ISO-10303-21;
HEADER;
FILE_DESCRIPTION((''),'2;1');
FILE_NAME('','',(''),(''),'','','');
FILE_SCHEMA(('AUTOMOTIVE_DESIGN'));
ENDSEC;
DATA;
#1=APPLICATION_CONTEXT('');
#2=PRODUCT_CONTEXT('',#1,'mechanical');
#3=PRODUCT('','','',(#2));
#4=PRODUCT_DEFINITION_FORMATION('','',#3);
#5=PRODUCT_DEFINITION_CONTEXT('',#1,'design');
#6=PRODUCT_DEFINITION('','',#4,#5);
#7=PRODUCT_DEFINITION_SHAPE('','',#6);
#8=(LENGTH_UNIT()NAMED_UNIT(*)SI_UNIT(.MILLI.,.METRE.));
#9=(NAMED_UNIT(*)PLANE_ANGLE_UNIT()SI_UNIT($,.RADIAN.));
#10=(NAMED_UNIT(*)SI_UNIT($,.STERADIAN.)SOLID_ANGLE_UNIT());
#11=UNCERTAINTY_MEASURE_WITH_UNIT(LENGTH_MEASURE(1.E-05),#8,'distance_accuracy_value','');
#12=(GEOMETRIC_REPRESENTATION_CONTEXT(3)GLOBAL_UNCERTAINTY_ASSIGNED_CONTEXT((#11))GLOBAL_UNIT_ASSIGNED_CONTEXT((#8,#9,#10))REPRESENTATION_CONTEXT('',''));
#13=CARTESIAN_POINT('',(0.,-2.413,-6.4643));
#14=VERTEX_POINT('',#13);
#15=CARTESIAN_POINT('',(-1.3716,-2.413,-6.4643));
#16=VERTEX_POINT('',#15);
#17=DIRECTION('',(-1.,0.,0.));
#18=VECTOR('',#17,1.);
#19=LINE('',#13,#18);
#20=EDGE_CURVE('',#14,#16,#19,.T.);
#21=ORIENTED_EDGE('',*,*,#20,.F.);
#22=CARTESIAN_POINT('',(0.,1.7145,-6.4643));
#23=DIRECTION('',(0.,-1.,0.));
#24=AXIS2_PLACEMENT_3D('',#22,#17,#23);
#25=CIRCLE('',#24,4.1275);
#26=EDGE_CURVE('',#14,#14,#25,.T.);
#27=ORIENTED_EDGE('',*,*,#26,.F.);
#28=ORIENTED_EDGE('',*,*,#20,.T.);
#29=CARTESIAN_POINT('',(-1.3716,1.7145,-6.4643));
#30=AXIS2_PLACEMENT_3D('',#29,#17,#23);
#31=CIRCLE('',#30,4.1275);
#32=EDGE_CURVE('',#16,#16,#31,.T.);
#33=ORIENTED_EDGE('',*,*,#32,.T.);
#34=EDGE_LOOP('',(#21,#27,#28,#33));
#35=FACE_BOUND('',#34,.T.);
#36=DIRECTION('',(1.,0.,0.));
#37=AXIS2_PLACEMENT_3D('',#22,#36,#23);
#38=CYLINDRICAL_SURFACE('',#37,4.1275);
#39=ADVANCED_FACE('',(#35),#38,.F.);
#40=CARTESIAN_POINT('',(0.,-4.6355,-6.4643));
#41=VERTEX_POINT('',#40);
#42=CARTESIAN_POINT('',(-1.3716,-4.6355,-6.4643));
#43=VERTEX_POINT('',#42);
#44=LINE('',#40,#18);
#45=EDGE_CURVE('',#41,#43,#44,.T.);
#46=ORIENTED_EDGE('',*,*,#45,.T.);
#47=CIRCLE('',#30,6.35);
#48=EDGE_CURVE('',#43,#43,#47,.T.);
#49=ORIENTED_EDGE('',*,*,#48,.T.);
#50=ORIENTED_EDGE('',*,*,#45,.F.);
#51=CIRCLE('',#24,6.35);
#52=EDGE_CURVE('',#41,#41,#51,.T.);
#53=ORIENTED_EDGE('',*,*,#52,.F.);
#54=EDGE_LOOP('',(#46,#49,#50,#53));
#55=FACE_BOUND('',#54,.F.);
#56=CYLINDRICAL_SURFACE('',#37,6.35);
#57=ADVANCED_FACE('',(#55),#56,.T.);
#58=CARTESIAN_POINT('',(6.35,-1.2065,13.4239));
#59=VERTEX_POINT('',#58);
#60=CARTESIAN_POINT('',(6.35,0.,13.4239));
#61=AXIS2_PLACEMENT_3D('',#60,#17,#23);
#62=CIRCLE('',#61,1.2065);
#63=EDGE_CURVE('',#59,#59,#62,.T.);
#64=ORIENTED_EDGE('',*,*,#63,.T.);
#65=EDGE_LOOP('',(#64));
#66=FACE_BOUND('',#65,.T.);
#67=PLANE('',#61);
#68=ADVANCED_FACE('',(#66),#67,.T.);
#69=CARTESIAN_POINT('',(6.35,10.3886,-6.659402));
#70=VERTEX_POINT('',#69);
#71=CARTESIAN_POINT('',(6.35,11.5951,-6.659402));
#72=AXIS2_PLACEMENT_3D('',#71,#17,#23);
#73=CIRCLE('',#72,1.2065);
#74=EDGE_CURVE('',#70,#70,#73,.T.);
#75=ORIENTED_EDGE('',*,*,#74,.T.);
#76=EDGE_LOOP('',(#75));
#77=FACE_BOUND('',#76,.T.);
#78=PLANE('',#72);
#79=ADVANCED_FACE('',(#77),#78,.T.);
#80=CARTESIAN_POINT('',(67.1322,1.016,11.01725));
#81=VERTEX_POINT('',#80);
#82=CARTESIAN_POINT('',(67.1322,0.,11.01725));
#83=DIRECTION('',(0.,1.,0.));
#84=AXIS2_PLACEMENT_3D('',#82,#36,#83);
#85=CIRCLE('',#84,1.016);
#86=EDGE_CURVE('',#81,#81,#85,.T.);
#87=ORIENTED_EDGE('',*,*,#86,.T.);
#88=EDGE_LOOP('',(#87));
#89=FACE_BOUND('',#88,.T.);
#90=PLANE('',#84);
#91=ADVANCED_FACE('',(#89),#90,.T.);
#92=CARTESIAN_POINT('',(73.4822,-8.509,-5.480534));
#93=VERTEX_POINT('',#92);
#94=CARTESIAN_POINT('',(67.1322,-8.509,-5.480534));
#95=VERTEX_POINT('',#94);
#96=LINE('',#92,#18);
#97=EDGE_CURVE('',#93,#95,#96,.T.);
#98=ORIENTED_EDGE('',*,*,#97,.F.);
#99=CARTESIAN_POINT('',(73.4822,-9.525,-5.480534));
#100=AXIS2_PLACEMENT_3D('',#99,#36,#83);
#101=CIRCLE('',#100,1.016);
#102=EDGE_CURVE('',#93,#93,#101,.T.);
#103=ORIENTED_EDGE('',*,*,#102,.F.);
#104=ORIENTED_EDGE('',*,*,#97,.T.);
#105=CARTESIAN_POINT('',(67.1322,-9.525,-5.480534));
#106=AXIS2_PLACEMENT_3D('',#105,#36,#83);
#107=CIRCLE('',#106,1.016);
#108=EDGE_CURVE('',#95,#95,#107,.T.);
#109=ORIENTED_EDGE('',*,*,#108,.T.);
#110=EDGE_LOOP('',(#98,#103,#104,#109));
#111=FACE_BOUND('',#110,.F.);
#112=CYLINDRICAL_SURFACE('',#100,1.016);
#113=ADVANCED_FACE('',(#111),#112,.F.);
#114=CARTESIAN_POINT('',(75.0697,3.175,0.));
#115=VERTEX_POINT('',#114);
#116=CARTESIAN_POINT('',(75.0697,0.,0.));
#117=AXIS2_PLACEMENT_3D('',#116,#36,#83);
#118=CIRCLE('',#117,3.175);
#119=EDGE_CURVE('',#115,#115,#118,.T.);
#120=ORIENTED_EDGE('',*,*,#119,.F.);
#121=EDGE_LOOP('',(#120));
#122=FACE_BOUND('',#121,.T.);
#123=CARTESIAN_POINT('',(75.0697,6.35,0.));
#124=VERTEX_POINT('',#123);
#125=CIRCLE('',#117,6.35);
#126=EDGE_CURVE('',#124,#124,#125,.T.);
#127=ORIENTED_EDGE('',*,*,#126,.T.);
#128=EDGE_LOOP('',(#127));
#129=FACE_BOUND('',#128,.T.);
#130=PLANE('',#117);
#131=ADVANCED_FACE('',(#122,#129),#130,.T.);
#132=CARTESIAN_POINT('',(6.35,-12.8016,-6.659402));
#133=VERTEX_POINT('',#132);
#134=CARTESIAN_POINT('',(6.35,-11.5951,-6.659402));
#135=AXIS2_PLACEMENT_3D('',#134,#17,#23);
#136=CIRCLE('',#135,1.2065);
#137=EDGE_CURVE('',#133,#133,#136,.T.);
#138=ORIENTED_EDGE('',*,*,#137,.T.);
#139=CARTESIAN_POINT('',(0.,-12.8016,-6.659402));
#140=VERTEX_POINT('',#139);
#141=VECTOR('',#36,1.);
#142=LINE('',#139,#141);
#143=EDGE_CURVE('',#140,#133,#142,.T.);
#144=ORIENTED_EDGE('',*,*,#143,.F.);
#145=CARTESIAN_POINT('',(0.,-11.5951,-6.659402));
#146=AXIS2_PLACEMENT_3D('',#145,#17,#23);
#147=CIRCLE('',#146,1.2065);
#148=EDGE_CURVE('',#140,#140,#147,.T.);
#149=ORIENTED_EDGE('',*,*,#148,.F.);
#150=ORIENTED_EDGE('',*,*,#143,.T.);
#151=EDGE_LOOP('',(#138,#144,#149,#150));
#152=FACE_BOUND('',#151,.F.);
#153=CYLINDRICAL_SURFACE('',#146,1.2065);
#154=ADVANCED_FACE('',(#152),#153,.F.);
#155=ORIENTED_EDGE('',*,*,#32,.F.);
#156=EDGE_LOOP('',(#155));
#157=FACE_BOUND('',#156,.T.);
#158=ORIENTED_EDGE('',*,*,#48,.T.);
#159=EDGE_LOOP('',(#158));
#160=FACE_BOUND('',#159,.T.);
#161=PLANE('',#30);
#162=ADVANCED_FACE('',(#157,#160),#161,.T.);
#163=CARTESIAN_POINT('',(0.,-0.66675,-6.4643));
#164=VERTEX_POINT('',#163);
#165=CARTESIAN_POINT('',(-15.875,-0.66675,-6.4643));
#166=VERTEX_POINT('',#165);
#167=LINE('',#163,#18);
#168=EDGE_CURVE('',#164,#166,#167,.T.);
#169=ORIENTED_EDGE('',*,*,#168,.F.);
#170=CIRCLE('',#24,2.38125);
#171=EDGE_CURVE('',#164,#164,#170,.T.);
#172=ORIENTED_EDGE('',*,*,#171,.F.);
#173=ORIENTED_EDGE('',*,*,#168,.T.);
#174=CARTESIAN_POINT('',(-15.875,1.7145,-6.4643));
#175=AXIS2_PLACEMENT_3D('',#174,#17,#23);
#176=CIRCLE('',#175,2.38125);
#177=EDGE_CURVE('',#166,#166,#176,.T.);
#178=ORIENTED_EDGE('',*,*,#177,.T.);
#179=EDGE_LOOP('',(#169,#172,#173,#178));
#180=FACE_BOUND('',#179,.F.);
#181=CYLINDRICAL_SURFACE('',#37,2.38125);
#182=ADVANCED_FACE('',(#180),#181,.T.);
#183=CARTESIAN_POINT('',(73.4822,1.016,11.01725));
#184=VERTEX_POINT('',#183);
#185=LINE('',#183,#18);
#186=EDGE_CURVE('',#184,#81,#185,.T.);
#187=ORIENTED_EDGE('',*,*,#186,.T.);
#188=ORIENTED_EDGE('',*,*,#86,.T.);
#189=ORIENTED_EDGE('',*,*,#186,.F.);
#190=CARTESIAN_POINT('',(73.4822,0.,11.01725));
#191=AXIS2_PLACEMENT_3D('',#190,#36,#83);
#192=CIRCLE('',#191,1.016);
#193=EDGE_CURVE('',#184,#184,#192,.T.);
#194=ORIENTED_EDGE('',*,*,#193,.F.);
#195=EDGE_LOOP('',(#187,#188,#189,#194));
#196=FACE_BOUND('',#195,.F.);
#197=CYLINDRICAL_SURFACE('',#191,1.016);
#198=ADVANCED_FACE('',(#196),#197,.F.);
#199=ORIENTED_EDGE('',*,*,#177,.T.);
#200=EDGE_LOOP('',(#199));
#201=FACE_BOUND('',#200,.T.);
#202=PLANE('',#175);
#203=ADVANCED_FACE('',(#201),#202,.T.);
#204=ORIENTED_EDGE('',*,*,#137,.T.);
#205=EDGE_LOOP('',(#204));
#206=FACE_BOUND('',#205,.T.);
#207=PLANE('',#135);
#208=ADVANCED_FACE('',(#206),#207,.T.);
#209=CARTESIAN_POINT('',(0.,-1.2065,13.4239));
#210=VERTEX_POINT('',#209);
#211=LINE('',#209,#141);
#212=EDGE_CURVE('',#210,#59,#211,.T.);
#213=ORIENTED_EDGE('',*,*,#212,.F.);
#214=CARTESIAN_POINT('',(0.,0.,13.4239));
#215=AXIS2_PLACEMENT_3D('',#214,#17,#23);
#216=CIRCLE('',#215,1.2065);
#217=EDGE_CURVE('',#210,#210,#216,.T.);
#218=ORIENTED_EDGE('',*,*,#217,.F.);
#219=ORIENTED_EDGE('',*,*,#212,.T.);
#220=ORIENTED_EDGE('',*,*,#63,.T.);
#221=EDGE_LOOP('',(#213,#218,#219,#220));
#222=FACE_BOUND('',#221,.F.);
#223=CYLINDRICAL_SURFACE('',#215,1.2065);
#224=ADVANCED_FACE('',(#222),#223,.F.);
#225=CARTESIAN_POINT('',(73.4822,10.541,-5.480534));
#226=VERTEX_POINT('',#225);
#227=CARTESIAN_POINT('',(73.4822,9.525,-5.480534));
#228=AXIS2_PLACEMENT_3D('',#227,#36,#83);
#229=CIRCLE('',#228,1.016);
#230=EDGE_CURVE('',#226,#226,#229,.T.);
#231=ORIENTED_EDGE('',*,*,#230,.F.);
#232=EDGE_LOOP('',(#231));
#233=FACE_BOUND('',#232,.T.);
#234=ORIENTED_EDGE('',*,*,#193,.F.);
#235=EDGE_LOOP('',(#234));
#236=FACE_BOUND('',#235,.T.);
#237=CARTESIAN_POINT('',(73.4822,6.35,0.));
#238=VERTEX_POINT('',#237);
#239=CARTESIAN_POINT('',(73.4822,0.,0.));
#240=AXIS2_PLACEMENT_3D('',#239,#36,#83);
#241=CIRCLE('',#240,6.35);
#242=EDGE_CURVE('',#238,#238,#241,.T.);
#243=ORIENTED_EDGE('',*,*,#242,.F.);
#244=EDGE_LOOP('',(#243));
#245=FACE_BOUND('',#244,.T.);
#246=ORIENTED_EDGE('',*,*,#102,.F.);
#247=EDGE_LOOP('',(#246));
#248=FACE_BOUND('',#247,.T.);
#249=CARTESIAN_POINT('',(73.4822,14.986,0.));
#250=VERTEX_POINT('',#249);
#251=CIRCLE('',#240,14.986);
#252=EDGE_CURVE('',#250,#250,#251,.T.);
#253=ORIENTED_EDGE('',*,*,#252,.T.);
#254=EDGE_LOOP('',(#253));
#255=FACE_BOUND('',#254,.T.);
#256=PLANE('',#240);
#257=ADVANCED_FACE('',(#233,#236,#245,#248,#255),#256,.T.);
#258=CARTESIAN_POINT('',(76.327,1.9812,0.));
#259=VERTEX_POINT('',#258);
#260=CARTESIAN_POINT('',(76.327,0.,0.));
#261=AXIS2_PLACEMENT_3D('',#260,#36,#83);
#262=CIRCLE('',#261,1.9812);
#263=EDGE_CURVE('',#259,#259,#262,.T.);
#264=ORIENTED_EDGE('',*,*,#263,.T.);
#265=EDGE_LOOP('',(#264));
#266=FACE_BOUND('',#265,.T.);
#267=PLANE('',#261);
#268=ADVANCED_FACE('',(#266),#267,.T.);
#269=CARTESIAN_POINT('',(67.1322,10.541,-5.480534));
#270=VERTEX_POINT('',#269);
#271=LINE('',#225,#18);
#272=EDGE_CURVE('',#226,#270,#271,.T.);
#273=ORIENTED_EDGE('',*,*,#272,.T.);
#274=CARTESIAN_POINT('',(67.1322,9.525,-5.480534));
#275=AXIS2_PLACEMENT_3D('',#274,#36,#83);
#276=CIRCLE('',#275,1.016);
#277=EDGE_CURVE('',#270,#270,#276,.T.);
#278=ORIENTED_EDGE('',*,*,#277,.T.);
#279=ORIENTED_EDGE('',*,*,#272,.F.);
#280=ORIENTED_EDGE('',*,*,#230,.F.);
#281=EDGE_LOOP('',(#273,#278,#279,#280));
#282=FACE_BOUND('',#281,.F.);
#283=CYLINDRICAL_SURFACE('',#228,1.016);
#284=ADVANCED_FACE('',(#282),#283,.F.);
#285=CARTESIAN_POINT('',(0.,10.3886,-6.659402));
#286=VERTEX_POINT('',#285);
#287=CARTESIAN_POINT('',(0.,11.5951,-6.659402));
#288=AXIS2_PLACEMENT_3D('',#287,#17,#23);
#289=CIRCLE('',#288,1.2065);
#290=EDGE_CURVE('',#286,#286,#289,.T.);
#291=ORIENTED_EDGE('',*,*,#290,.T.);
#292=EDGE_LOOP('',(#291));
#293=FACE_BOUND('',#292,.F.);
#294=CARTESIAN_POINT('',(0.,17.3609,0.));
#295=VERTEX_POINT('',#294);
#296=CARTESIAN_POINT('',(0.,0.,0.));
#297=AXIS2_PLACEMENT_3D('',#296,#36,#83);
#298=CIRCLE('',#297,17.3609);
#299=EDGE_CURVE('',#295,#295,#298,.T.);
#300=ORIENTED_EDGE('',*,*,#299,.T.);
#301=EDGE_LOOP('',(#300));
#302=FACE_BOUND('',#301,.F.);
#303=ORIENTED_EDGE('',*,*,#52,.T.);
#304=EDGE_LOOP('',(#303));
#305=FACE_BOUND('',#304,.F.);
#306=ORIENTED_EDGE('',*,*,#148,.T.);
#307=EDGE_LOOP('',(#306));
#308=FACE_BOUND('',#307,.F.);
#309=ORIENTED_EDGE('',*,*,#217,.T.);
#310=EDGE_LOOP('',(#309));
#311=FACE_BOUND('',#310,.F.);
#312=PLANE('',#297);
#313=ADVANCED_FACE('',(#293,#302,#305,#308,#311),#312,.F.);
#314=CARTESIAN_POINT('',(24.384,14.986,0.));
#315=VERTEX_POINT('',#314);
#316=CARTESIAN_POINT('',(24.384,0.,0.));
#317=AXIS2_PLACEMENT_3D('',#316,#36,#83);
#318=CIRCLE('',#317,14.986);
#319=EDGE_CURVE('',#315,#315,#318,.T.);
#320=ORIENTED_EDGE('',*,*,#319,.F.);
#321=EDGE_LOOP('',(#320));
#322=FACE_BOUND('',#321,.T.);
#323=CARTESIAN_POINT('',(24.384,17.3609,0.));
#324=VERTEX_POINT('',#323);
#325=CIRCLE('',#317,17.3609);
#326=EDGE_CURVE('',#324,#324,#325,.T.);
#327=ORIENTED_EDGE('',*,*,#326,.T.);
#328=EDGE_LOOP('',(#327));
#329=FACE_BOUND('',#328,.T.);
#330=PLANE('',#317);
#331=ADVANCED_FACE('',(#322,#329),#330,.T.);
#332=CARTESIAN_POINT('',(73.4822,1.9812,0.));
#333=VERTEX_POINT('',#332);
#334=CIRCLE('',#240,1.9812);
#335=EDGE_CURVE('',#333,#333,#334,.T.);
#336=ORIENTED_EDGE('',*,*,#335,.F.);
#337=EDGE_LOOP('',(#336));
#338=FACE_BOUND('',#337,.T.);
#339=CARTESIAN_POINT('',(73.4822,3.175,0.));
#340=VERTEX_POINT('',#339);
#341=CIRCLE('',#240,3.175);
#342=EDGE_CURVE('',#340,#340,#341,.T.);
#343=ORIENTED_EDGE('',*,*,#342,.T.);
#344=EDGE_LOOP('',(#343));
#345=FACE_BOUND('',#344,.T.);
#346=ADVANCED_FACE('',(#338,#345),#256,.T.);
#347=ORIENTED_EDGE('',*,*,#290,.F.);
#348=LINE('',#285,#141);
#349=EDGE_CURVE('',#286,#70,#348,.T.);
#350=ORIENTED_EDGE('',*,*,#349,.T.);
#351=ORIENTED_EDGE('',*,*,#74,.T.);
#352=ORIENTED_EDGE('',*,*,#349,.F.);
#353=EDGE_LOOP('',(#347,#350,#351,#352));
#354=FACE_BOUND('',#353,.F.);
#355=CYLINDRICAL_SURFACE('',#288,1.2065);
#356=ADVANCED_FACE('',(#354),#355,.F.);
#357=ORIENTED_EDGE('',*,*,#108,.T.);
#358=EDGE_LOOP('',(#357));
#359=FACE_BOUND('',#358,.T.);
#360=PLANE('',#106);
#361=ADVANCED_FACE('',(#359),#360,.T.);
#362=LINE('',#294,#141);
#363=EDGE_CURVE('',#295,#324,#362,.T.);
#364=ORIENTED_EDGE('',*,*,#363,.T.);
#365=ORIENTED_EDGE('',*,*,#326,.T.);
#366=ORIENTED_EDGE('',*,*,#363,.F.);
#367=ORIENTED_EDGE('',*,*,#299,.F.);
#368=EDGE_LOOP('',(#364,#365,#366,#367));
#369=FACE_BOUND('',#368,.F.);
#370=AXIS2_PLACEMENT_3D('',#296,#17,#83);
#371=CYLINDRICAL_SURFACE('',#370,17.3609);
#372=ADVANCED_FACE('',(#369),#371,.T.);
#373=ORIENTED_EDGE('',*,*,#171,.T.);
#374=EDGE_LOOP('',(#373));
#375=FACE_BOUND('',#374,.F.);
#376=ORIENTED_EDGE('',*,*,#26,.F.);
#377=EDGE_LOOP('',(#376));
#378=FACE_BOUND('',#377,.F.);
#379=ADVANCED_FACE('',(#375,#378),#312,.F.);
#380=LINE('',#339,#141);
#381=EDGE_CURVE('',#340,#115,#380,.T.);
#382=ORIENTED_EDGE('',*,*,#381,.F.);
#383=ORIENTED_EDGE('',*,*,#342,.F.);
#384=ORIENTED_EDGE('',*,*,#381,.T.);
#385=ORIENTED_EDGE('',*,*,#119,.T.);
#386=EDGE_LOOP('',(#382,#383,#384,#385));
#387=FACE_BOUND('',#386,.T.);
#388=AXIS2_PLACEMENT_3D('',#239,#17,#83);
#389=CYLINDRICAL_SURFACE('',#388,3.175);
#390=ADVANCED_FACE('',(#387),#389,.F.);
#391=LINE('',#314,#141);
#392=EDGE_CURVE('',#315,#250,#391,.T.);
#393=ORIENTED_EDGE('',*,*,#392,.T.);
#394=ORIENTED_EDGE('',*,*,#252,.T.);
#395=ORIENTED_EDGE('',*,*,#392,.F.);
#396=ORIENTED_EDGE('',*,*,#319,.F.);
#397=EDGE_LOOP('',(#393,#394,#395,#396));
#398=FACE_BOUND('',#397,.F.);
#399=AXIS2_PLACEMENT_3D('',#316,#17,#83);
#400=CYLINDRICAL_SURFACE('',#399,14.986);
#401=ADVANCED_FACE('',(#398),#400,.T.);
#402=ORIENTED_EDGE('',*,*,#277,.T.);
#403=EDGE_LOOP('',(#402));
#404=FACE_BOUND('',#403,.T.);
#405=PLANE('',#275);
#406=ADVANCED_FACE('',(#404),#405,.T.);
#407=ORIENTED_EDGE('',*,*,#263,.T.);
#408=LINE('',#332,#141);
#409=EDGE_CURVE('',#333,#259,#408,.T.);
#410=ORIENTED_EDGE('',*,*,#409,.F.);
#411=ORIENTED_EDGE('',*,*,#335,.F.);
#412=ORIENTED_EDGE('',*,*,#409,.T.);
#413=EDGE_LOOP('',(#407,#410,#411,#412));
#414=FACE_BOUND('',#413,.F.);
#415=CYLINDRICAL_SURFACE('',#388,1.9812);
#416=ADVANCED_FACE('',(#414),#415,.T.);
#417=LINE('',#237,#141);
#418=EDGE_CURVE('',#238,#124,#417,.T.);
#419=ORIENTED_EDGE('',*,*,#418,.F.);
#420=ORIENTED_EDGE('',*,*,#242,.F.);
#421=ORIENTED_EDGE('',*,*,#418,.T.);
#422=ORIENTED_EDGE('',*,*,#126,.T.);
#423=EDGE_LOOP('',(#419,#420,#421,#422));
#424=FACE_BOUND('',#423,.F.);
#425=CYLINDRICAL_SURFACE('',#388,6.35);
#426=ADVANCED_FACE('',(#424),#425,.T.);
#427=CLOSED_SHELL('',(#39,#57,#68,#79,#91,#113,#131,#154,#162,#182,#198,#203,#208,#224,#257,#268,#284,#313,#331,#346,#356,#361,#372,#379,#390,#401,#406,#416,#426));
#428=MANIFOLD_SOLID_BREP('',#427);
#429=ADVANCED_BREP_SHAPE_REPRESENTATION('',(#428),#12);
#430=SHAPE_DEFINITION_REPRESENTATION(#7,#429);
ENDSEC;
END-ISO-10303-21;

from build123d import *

# Parameters (mm, degrees)
F0_R      = 17.3609
F1_DEPTH  = 24.384
F2_R      = 14.986
F3_DEPTH  = 49.0982
F4_R      = 1.016
F5_DEPTH  = 6.35
F6_R      = 6.35
F6_R_2    = 3.175
F7_DEPTH  = 1.5875
F8_R      = 1.9812
F9_DEPTH  = 2.8448
F10_R     = 1.2065
F11_DEPTH = 6.35
F12_R     = 6.35
F12_R_2   = 4.1275
F13_DEPTH = 1.3716
F14_R     = 2.38125
F15_DEPTH = 15.875


with BuildPart() as f1:
    # F0 (on Right) → F1 (new body)
    with BuildSketch(Plane.YZ):
        Circle(F0_R)
    extrude(amount=F1_DEPTH)

    # F2 (on face) → F3 (join)
    with BuildSketch(Plane.YZ.offset(24.384)):
        Circle(F2_R)
    extrude(amount=F3_DEPTH)

    # F4 (on face) → F5 (cut)
    with BuildSketch(Plane.YZ.offset(73.4822)):
        with Locations((0, 11.01725)):
            Circle(F4_R)
        with Locations((9.525, -5.480534)):
            Circle(F4_R)
        with Locations((-9.525, -5.480534)):
            Circle(F4_R)
    extrude(amount=-F5_DEPTH, mode=Mode.SUBTRACT)

    # F6 (on face) → F7 (join)
    with BuildSketch(Plane.YZ.offset(73.4822)):
        Circle(F6_R)
        Circle(F6_R_2, mode=Mode.SUBTRACT)
    extrude(amount=F7_DEPTH)

    # F8 (on face) → F9 (join)
    with BuildSketch(Plane.YZ.offset(73.4822)):
        Circle(F8_R)
    extrude(amount=F9_DEPTH)

    # F10 (on face) → F11 (cut)
    with BuildSketch(Plane(origin=(0, 0, 0), x_dir=(0, -1, 0), z_dir=(-1, 0, 0))):
        with Locations((0, 13.4239)):
            Circle(F10_R)
        with Locations((11.5951, -6.659402)):
            Circle(F10_R)
        with Locations((-11.5951, -6.659402)):
            Circle(F10_R)
    extrude(amount=-F11_DEPTH, mode=Mode.SUBTRACT)

    # F12 (on face) → F13 (join)
    with BuildSketch(Plane(origin=(0, 0, 0), x_dir=(0, -1, 0), z_dir=(-1, 0, 0))):
        with Locations((-1.7145, -6.4643)):
            Circle(F12_R)
        with Locations((-1.7145, -6.4643)):
            Circle(F12_R_2, mode=Mode.SUBTRACT)
    extrude(amount=F13_DEPTH)

    # F14 (on face) → F15 (join)
    with BuildSketch(Plane(origin=(0, 0, 0), x_dir=(0, -1, 0), z_dir=(-1, 0, 0))):
        with Locations((-1.7145, -6.4643)):
            Circle(F14_R)
    extrude(amount=F15_DEPTH)


solid = f1.part
